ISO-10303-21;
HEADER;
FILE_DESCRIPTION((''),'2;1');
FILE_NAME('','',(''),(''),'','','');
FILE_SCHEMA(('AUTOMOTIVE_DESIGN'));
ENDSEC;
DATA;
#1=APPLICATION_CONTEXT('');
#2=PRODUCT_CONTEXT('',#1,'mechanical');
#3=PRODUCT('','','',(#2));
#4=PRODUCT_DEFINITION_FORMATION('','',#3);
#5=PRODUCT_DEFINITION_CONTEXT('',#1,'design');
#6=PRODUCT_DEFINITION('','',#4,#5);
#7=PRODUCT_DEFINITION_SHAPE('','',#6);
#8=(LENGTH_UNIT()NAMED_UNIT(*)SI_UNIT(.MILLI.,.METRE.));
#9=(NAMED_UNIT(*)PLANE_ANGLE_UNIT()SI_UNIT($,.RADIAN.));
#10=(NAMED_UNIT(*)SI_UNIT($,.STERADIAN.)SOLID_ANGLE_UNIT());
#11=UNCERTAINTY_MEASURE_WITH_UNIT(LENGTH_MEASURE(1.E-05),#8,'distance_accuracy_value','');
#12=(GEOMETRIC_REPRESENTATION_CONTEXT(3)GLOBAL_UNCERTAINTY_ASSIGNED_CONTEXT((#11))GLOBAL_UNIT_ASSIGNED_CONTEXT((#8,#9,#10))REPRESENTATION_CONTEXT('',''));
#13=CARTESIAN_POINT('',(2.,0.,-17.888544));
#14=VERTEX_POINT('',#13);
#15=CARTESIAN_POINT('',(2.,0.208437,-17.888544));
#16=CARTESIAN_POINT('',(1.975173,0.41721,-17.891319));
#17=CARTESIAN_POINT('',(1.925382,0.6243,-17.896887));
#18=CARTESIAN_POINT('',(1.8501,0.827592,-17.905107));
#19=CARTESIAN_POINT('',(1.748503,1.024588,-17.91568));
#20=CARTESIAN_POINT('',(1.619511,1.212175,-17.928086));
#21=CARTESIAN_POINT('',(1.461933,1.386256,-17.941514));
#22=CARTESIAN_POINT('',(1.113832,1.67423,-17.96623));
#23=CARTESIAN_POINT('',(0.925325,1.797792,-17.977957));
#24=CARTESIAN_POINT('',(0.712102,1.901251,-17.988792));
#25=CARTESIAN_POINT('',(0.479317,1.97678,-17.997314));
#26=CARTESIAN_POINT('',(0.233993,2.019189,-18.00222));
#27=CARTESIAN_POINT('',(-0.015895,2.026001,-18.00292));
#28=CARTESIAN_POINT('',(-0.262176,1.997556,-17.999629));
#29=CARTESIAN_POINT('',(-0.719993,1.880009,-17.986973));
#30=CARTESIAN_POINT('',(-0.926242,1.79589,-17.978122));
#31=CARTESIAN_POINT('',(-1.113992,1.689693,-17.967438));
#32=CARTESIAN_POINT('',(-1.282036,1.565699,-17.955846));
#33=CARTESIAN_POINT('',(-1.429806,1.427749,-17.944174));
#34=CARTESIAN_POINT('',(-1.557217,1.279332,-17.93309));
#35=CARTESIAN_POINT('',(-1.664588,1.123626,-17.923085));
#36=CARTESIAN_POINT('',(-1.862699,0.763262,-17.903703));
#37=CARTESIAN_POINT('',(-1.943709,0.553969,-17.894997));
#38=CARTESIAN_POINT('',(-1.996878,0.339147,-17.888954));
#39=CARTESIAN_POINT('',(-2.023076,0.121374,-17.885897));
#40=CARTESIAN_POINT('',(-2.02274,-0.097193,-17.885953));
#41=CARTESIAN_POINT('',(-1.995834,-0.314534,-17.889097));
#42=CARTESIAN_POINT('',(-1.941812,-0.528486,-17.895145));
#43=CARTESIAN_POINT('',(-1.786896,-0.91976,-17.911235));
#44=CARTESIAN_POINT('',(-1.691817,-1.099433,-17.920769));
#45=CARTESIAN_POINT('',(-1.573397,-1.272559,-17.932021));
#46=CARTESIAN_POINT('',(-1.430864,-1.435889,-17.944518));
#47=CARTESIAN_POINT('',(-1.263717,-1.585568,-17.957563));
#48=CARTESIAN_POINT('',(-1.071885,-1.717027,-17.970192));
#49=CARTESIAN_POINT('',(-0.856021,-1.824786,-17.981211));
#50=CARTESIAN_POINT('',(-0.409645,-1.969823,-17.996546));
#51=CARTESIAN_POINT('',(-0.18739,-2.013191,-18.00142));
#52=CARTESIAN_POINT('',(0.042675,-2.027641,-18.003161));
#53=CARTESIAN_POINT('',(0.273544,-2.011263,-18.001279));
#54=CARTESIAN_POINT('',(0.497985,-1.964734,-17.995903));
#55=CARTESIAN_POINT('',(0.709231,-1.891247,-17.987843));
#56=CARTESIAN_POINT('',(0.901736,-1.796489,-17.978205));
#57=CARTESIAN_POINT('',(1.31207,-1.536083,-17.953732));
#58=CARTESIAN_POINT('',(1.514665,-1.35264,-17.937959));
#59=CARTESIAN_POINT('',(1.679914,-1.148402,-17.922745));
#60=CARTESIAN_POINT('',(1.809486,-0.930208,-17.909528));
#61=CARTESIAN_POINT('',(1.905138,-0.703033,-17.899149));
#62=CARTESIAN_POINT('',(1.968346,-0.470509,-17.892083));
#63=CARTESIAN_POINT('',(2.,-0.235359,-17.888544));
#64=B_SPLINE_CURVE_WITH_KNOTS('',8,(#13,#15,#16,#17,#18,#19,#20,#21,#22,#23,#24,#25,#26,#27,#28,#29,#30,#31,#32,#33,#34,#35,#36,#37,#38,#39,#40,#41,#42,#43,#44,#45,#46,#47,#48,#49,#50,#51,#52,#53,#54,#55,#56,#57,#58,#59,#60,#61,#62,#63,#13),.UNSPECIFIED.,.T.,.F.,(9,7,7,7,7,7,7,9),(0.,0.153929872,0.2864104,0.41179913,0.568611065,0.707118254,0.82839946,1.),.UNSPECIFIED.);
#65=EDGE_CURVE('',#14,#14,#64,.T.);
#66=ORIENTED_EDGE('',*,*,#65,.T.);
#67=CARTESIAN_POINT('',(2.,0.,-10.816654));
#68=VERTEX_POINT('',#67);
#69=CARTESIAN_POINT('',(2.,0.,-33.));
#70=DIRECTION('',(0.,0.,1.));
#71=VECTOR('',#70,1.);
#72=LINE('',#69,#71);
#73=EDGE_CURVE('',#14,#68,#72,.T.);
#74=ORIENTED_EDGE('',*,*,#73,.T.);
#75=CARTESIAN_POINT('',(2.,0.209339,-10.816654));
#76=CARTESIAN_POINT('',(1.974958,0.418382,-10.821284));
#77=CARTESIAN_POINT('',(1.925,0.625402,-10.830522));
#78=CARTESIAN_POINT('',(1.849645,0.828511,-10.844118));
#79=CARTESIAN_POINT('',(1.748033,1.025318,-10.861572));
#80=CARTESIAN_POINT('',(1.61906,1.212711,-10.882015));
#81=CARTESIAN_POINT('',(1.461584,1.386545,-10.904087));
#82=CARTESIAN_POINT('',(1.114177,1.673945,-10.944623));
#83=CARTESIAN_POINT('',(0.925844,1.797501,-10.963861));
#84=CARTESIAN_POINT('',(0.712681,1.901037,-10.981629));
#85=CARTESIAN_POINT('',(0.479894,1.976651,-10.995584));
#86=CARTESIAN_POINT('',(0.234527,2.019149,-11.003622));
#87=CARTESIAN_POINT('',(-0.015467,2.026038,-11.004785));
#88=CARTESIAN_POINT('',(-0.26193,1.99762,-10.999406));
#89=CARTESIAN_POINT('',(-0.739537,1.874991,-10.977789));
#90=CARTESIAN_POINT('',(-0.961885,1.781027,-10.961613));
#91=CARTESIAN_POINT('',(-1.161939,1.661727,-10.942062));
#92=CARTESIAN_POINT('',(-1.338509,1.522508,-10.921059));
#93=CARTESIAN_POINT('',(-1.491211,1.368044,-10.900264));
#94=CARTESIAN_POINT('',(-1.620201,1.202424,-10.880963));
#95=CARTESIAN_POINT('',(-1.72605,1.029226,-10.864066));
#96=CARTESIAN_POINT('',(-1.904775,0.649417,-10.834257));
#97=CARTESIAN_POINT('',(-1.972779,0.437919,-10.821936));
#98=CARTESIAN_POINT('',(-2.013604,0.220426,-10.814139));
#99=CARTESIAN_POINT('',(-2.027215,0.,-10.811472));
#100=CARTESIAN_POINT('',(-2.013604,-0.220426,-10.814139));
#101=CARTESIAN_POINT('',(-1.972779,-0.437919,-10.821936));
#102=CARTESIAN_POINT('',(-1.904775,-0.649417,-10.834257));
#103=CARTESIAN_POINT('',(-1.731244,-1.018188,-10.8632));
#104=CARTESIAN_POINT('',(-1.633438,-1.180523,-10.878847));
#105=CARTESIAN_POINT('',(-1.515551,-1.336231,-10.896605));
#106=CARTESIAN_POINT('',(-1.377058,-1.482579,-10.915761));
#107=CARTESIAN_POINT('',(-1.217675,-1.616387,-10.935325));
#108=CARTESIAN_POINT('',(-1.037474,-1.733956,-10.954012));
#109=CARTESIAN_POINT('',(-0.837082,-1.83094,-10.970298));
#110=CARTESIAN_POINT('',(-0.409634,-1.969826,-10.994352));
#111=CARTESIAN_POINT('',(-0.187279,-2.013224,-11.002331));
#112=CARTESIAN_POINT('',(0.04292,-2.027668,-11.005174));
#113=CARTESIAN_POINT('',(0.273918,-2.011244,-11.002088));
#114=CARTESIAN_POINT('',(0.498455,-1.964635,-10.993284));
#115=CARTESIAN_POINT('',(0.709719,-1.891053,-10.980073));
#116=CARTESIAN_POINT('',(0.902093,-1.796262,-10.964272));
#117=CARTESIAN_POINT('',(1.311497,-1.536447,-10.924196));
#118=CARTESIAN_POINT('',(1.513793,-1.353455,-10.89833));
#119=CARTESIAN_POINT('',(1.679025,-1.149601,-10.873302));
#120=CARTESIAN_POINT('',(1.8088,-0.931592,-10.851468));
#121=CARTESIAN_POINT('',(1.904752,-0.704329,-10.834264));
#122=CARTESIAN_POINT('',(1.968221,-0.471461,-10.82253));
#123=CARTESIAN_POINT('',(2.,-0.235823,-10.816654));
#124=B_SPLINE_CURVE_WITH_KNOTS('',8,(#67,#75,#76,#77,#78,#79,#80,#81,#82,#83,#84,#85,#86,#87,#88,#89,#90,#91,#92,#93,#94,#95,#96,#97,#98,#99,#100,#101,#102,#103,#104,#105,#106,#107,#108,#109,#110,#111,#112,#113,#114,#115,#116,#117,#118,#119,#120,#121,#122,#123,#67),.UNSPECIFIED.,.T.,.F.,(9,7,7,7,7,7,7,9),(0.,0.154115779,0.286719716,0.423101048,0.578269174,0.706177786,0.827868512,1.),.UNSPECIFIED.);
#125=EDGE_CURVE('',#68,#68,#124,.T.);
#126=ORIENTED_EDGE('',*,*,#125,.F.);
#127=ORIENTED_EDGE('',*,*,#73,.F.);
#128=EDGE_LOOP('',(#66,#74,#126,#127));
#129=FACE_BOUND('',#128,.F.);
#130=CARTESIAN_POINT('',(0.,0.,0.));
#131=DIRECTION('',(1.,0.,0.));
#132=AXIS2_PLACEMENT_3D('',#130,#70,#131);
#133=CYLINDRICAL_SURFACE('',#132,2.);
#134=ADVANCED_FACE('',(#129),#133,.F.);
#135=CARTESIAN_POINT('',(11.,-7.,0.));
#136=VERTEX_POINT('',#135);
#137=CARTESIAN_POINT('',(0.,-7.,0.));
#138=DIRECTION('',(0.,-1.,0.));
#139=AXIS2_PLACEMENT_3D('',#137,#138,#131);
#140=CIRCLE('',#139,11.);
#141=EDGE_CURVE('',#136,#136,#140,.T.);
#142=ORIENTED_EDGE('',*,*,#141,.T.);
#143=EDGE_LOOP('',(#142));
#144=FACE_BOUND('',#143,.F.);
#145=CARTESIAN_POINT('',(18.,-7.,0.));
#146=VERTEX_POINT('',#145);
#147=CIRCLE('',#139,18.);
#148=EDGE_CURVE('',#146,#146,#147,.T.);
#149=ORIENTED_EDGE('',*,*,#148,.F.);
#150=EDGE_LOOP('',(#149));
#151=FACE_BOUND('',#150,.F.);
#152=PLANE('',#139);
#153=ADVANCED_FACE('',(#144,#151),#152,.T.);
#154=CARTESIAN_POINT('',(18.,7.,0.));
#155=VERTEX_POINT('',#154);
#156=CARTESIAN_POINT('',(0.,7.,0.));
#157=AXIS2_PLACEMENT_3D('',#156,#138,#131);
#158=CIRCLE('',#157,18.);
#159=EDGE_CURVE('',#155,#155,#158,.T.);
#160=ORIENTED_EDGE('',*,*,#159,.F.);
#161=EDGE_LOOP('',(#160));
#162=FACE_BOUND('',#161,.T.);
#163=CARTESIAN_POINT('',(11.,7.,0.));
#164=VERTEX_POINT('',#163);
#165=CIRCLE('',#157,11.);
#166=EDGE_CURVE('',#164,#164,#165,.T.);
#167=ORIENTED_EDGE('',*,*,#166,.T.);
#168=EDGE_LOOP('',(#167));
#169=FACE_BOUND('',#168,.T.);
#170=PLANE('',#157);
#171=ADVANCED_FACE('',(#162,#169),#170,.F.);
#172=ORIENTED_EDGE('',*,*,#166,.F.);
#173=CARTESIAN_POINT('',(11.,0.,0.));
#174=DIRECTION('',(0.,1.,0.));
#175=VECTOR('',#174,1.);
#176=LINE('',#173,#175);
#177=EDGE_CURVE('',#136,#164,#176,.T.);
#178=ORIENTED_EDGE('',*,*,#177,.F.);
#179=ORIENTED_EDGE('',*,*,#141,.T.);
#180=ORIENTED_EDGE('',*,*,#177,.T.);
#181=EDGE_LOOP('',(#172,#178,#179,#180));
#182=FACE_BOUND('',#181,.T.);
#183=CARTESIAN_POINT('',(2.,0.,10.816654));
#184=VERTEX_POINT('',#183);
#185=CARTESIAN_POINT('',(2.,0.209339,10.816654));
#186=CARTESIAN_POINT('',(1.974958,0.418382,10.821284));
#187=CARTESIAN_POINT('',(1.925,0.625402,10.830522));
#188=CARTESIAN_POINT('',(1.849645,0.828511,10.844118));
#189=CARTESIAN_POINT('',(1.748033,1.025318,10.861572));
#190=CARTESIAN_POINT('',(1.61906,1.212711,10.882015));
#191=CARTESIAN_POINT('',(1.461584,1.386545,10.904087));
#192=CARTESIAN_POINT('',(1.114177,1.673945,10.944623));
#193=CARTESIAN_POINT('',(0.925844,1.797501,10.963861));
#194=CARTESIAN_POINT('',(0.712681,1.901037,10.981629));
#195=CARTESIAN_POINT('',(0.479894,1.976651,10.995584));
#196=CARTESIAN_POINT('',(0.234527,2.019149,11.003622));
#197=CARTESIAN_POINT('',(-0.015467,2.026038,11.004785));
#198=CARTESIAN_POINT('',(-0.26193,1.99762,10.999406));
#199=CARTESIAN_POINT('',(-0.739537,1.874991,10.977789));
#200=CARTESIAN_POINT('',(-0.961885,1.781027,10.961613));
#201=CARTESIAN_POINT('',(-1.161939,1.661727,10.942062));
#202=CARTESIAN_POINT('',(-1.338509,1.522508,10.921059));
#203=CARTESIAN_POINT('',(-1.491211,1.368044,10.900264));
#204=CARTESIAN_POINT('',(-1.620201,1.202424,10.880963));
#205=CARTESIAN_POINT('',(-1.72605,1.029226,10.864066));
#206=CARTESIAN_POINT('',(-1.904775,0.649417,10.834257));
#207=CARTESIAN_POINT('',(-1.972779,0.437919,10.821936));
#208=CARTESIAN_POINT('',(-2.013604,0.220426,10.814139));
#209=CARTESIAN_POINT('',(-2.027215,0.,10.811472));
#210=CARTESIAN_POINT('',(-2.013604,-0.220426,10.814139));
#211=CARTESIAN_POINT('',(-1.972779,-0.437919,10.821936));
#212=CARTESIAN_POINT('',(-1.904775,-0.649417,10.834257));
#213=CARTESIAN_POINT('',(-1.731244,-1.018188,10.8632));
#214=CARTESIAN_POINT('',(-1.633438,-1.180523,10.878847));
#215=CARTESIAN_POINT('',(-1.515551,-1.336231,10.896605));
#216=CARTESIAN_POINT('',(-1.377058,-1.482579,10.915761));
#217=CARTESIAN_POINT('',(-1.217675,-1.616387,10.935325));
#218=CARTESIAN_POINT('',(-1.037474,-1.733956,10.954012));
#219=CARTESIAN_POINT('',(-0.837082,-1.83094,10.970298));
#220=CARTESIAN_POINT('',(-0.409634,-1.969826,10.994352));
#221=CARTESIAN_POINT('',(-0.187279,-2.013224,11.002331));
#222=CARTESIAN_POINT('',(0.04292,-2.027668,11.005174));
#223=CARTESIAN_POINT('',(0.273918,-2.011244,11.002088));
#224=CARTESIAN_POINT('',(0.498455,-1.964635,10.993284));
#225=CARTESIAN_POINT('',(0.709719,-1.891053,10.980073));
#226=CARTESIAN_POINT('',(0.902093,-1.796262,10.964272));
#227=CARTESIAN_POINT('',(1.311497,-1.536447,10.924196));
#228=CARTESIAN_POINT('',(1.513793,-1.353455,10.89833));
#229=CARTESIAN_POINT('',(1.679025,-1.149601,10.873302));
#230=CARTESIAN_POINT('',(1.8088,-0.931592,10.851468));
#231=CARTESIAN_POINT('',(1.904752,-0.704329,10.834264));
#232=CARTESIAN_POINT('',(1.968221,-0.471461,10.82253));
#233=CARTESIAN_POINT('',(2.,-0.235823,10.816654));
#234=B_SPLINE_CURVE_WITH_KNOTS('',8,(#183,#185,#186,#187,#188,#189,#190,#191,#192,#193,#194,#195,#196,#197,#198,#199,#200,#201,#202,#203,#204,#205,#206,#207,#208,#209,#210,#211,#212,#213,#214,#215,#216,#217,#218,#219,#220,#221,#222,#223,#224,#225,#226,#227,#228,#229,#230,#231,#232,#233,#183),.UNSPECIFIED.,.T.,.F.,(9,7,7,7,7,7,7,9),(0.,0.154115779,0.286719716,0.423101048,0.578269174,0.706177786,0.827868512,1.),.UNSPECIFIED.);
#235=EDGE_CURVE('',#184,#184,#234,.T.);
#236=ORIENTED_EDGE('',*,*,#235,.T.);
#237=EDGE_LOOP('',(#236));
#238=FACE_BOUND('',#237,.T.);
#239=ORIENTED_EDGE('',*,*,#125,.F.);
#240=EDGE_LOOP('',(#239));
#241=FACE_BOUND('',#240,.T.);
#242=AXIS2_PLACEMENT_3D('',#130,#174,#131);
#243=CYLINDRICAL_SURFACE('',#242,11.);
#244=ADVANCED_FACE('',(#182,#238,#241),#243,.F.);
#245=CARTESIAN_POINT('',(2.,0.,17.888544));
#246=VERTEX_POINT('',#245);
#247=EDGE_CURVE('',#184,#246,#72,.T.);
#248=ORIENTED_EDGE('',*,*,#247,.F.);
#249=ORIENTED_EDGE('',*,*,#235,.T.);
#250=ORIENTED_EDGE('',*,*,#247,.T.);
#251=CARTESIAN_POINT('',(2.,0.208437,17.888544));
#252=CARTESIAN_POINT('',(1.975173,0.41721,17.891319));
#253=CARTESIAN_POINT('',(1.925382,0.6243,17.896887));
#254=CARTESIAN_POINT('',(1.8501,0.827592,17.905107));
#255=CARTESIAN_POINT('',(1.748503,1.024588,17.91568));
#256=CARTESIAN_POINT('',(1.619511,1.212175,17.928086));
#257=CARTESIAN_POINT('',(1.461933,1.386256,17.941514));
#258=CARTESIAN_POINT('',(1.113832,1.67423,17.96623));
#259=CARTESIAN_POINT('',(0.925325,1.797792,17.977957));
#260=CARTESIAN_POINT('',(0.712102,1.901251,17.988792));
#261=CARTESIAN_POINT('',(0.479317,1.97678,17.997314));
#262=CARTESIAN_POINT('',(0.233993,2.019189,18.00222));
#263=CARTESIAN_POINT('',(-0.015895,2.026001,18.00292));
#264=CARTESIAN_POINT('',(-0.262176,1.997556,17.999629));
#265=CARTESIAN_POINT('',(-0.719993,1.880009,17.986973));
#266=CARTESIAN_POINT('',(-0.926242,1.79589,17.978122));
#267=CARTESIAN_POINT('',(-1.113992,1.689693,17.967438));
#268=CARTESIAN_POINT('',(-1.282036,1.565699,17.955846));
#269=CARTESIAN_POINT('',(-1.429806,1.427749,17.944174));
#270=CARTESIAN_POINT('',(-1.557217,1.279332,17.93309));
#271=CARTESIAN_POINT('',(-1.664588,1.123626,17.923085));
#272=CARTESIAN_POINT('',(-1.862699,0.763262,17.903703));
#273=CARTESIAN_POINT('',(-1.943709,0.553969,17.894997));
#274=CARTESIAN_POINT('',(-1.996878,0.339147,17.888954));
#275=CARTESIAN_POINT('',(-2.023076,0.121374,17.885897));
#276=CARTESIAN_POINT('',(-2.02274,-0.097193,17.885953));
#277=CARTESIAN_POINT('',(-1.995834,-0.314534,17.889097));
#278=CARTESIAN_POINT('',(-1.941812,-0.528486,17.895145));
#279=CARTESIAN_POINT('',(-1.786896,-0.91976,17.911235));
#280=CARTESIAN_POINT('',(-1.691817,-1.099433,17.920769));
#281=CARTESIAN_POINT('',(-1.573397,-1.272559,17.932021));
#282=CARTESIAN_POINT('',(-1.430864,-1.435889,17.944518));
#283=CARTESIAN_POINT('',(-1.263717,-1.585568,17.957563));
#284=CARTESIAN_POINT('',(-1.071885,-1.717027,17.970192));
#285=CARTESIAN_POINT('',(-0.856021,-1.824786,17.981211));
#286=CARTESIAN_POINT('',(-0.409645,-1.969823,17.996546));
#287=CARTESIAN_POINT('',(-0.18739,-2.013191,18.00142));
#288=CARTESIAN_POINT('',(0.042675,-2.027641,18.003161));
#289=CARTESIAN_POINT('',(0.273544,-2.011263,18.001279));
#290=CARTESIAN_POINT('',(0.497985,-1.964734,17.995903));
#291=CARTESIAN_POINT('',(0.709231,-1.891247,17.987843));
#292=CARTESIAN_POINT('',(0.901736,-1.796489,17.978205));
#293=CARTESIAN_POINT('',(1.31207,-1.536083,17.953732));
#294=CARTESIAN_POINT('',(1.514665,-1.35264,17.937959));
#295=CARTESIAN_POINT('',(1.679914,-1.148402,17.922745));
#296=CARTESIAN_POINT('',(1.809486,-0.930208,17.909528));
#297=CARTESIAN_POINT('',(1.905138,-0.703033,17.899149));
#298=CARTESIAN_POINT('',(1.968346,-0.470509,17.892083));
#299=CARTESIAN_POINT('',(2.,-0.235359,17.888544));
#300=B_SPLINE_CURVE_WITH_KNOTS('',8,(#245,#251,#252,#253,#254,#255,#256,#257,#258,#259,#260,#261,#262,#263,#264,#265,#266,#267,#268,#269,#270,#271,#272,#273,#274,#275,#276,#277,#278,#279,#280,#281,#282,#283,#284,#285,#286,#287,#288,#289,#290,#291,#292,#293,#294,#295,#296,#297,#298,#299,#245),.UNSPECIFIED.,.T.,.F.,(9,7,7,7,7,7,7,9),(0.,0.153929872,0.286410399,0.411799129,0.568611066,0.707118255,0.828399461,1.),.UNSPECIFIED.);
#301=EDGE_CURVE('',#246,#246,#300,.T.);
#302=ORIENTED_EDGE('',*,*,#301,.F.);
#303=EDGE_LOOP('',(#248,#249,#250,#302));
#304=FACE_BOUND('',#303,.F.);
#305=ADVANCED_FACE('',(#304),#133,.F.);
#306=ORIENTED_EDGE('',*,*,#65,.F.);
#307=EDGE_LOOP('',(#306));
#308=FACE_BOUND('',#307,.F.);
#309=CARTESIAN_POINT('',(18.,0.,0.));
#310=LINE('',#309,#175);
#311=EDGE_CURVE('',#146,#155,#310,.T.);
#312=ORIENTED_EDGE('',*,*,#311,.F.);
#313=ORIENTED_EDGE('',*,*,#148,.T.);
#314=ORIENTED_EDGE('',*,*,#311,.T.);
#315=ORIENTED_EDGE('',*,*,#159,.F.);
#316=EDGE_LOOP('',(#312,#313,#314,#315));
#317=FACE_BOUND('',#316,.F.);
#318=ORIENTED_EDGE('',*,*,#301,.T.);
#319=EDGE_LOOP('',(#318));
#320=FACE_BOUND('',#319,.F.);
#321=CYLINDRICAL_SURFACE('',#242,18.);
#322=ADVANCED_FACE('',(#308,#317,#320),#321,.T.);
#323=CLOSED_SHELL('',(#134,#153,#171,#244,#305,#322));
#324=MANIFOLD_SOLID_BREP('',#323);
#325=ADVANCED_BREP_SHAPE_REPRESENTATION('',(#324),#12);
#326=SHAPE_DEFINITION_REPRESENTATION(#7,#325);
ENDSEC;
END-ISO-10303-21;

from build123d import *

# Parameters (mm, degrees)
SKETCH1_W          = 7
SKETCH1_H          = 14
SKETCH2_R          = 2
CUT_EXTRUDE1_DEPTH = 33


with BuildPart() as part:
    # Sketch1 → Revolve1 (revolve)
    with BuildSketch(Plane.XY):
        with Locations((14.5, 0)):
            Rectangle(SKETCH1_W, SKETCH1_H)
    revolve(axis=Axis((0, 17.553846154, 0), (0, -1, 0)))

    # Sketch2 → Cut-Extrude1 (cut, symmetric)
    with BuildSketch(Plane.XY):
        Circle(SKETCH2_R)
    extrude(amount=CUT_EXTRUDE1_DEPTH, both=True, mode=Mode.SUBTRACT)


solid = part.part
